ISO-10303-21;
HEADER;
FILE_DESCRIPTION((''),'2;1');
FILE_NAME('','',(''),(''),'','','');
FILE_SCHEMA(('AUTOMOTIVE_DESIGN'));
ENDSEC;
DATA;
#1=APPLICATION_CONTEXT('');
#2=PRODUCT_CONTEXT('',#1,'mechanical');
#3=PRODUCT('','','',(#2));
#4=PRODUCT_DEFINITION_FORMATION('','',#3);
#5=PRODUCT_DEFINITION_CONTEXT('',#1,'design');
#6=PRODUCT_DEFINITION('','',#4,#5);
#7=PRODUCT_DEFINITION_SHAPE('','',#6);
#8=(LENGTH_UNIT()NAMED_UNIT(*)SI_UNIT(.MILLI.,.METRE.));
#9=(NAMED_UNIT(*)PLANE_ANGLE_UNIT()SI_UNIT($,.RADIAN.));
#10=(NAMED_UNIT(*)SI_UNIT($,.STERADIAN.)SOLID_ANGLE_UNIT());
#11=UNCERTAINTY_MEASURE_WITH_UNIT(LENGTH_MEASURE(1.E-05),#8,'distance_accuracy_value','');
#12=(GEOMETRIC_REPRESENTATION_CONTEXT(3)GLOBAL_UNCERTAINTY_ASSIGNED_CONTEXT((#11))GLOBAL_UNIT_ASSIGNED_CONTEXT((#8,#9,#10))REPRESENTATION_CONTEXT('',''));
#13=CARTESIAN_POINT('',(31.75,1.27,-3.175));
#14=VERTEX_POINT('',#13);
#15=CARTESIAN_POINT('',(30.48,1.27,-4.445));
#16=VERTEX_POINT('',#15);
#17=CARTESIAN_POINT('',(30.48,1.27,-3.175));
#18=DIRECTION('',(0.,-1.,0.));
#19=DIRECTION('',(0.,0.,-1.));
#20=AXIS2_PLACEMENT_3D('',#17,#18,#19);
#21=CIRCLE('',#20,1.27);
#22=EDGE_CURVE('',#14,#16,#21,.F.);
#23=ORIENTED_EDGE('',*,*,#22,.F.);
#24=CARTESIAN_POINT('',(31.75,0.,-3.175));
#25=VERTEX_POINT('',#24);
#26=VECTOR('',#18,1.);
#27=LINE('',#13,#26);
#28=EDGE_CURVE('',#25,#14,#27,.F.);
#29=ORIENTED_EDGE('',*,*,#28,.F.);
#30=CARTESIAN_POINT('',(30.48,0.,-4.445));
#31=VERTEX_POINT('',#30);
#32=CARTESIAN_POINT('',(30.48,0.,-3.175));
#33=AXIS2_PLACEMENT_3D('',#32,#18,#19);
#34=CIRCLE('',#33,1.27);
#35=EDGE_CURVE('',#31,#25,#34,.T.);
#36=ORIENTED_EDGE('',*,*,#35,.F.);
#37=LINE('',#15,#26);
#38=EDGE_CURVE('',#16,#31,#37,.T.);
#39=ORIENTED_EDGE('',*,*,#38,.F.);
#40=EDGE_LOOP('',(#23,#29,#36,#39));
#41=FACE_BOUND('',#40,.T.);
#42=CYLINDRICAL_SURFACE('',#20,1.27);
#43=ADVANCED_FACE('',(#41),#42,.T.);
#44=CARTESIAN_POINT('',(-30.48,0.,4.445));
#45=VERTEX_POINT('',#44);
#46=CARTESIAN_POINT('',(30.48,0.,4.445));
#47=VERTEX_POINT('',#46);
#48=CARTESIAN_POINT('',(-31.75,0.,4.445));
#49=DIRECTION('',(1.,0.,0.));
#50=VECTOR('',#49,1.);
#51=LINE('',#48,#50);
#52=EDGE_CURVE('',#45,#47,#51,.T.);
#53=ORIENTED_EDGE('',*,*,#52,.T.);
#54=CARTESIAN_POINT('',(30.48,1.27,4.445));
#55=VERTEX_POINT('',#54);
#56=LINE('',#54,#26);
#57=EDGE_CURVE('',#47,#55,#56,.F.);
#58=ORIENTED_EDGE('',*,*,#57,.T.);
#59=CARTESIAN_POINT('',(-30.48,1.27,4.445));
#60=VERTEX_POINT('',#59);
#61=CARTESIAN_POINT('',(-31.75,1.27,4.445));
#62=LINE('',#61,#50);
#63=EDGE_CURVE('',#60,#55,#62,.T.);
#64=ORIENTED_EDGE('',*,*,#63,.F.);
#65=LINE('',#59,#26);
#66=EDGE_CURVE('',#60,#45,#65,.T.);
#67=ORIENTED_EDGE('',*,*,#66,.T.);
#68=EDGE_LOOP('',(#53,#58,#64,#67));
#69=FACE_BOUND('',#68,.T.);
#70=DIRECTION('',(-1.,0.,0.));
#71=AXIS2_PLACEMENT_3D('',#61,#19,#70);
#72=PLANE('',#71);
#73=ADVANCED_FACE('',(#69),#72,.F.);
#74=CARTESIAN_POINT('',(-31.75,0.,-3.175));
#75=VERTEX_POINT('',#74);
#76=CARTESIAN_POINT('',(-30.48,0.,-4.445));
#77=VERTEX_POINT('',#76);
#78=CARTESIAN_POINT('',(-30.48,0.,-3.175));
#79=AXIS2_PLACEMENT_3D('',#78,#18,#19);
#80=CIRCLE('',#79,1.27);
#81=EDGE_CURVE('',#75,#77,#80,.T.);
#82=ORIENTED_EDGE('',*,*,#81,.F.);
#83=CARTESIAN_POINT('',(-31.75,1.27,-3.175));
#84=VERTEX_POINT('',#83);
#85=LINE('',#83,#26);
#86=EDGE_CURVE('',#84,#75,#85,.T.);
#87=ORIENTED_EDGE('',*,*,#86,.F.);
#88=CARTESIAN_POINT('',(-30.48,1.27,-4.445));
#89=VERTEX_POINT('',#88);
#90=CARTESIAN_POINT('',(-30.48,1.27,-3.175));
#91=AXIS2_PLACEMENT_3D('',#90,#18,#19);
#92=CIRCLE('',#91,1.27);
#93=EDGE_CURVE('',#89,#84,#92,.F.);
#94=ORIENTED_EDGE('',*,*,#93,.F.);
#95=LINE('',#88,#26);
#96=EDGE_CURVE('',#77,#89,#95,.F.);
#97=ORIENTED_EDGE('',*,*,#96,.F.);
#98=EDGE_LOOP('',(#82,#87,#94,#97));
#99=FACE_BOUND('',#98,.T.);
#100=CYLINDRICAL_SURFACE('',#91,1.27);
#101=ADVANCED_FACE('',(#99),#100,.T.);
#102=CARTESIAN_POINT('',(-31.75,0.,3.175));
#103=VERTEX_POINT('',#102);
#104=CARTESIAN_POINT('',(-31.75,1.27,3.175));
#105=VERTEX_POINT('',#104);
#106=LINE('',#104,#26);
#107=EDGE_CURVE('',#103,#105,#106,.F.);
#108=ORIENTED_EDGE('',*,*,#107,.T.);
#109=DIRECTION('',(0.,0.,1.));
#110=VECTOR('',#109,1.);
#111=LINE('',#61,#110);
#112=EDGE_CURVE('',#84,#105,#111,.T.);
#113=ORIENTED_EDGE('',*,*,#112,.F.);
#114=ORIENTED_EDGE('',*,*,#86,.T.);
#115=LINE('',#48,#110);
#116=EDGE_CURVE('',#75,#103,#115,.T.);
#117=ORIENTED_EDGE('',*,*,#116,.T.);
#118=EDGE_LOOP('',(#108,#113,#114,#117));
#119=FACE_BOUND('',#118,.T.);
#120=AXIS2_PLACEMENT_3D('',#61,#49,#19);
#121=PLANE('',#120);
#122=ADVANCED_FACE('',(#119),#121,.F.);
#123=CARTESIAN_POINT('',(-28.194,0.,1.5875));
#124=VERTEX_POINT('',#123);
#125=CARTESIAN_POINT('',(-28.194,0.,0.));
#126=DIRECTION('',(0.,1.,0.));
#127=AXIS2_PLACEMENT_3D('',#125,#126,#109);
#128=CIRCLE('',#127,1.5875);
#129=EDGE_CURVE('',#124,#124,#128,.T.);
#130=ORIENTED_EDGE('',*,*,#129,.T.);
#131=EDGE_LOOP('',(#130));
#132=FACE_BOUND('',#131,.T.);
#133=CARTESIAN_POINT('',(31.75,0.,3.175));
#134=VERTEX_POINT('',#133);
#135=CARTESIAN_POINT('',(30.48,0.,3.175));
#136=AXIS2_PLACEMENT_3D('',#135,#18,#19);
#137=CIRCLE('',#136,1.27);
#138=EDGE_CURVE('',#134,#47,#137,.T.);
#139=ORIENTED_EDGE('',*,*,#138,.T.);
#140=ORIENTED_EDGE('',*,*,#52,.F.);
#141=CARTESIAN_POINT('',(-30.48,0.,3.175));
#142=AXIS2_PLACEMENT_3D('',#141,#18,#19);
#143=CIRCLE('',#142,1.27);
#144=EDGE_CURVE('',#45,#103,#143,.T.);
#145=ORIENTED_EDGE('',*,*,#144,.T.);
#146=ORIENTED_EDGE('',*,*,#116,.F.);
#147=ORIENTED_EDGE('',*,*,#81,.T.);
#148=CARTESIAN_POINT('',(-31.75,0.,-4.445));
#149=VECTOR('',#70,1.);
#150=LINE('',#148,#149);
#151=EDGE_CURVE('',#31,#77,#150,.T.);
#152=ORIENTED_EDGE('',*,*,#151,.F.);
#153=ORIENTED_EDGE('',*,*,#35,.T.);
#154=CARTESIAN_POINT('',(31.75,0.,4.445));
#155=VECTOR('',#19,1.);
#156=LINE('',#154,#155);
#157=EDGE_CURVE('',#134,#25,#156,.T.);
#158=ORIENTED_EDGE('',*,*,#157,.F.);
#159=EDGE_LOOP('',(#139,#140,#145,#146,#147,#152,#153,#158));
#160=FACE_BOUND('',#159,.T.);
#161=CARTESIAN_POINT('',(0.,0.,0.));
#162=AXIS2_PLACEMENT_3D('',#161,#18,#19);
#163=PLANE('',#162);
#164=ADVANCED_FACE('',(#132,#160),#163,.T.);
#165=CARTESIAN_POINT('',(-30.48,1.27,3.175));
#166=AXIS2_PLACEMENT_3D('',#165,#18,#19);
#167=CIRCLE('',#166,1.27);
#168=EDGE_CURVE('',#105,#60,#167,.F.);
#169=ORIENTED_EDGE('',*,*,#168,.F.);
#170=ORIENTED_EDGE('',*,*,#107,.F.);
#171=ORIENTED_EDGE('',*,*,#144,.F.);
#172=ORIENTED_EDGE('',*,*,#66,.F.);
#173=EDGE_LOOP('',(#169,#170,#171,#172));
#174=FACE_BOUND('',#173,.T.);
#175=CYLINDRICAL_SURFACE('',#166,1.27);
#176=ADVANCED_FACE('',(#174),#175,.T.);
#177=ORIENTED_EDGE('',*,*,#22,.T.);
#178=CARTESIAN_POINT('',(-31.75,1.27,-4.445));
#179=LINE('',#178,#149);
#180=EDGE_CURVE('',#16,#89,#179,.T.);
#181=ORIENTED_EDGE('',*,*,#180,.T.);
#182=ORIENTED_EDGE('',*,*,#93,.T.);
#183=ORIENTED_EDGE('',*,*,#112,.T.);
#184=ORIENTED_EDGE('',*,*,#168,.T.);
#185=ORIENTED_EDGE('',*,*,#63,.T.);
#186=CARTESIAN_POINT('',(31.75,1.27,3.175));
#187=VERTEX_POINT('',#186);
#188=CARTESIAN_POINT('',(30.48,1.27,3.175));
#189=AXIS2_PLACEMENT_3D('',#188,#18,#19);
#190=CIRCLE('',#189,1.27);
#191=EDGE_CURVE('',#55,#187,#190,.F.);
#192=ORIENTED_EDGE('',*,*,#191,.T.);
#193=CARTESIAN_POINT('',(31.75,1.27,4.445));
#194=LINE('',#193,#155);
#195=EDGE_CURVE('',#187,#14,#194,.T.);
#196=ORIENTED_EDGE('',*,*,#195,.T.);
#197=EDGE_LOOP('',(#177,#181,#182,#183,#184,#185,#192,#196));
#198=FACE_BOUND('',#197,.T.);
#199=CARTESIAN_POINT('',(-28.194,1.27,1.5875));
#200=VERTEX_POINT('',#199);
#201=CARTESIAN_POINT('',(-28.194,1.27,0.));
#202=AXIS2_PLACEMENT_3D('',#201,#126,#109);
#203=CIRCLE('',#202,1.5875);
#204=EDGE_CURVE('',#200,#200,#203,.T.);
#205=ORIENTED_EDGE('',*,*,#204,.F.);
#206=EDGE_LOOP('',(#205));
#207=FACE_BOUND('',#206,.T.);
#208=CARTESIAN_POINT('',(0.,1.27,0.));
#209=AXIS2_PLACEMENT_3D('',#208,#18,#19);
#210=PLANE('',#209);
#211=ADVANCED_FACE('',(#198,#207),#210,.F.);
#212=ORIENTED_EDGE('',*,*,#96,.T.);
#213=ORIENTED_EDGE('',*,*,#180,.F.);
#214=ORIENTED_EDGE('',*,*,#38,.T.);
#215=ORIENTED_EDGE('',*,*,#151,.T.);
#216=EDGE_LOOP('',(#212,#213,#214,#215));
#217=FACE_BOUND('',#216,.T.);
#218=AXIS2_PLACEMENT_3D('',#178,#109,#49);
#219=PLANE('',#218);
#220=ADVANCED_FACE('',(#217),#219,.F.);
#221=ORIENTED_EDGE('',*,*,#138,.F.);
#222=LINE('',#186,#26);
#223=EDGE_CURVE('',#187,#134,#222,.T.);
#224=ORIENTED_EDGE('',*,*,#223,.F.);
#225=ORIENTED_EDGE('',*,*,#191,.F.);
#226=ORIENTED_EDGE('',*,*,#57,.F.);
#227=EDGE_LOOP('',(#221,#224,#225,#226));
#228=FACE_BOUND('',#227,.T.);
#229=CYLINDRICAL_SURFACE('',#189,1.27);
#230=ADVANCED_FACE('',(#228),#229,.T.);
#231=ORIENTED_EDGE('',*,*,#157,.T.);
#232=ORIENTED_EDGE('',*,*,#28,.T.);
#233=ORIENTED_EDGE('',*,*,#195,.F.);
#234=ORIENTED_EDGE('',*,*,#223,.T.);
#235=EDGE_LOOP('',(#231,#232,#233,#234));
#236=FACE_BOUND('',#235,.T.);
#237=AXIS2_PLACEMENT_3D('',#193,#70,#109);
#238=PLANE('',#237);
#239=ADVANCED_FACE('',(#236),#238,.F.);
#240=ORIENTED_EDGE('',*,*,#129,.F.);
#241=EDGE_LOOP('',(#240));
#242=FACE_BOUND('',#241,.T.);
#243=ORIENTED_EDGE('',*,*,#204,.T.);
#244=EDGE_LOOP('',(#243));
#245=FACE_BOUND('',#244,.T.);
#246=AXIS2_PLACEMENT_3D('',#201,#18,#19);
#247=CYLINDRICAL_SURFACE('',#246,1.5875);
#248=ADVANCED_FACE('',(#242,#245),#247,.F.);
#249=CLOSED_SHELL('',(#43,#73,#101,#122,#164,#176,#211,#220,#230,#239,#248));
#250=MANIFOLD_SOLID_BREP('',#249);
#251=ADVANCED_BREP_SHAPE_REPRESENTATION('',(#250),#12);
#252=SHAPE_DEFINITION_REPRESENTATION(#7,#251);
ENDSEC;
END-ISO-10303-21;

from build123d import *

# Parameters (mm, degrees)
SKETCH1_W           = 63.5
SKETCH1_H           = 8.89
SKETCH1_R           = 1.5875
BOSS_EXTRUDE1_DEPTH = 1.27
FILLET1_R           = 1.27


with BuildPart() as part:
    # Sketch1 → Boss-Extrude1 (new body)
    with BuildSketch(Plane(origin=(0, 0, 0), x_dir=(1, 0, 0), z_dir=(0, 1, 0))):
        Rectangle(SKETCH1_W, SKETCH1_H)
        with Locations(Location((-28.194, 0, 0), (0, 0, 270))):
            Circle(SKETCH1_R, mode=Mode.SUBTRACT)
    extrude(amount=BOSS_EXTRUDE1_DEPTH)

    # Fillet1
    fillet1_edges = [part.edges().sort_by_distance(p)[0] for p in [
        (31.75, 0.635, 4.445),
        (-31.75, 0.635, 4.445),
        (-31.75, 0.635, -4.445),
        (31.75, 0.635, -4.445),
    ]]
    fillet(fillet1_edges, radius=FILLET1_R)


solid = part.part
